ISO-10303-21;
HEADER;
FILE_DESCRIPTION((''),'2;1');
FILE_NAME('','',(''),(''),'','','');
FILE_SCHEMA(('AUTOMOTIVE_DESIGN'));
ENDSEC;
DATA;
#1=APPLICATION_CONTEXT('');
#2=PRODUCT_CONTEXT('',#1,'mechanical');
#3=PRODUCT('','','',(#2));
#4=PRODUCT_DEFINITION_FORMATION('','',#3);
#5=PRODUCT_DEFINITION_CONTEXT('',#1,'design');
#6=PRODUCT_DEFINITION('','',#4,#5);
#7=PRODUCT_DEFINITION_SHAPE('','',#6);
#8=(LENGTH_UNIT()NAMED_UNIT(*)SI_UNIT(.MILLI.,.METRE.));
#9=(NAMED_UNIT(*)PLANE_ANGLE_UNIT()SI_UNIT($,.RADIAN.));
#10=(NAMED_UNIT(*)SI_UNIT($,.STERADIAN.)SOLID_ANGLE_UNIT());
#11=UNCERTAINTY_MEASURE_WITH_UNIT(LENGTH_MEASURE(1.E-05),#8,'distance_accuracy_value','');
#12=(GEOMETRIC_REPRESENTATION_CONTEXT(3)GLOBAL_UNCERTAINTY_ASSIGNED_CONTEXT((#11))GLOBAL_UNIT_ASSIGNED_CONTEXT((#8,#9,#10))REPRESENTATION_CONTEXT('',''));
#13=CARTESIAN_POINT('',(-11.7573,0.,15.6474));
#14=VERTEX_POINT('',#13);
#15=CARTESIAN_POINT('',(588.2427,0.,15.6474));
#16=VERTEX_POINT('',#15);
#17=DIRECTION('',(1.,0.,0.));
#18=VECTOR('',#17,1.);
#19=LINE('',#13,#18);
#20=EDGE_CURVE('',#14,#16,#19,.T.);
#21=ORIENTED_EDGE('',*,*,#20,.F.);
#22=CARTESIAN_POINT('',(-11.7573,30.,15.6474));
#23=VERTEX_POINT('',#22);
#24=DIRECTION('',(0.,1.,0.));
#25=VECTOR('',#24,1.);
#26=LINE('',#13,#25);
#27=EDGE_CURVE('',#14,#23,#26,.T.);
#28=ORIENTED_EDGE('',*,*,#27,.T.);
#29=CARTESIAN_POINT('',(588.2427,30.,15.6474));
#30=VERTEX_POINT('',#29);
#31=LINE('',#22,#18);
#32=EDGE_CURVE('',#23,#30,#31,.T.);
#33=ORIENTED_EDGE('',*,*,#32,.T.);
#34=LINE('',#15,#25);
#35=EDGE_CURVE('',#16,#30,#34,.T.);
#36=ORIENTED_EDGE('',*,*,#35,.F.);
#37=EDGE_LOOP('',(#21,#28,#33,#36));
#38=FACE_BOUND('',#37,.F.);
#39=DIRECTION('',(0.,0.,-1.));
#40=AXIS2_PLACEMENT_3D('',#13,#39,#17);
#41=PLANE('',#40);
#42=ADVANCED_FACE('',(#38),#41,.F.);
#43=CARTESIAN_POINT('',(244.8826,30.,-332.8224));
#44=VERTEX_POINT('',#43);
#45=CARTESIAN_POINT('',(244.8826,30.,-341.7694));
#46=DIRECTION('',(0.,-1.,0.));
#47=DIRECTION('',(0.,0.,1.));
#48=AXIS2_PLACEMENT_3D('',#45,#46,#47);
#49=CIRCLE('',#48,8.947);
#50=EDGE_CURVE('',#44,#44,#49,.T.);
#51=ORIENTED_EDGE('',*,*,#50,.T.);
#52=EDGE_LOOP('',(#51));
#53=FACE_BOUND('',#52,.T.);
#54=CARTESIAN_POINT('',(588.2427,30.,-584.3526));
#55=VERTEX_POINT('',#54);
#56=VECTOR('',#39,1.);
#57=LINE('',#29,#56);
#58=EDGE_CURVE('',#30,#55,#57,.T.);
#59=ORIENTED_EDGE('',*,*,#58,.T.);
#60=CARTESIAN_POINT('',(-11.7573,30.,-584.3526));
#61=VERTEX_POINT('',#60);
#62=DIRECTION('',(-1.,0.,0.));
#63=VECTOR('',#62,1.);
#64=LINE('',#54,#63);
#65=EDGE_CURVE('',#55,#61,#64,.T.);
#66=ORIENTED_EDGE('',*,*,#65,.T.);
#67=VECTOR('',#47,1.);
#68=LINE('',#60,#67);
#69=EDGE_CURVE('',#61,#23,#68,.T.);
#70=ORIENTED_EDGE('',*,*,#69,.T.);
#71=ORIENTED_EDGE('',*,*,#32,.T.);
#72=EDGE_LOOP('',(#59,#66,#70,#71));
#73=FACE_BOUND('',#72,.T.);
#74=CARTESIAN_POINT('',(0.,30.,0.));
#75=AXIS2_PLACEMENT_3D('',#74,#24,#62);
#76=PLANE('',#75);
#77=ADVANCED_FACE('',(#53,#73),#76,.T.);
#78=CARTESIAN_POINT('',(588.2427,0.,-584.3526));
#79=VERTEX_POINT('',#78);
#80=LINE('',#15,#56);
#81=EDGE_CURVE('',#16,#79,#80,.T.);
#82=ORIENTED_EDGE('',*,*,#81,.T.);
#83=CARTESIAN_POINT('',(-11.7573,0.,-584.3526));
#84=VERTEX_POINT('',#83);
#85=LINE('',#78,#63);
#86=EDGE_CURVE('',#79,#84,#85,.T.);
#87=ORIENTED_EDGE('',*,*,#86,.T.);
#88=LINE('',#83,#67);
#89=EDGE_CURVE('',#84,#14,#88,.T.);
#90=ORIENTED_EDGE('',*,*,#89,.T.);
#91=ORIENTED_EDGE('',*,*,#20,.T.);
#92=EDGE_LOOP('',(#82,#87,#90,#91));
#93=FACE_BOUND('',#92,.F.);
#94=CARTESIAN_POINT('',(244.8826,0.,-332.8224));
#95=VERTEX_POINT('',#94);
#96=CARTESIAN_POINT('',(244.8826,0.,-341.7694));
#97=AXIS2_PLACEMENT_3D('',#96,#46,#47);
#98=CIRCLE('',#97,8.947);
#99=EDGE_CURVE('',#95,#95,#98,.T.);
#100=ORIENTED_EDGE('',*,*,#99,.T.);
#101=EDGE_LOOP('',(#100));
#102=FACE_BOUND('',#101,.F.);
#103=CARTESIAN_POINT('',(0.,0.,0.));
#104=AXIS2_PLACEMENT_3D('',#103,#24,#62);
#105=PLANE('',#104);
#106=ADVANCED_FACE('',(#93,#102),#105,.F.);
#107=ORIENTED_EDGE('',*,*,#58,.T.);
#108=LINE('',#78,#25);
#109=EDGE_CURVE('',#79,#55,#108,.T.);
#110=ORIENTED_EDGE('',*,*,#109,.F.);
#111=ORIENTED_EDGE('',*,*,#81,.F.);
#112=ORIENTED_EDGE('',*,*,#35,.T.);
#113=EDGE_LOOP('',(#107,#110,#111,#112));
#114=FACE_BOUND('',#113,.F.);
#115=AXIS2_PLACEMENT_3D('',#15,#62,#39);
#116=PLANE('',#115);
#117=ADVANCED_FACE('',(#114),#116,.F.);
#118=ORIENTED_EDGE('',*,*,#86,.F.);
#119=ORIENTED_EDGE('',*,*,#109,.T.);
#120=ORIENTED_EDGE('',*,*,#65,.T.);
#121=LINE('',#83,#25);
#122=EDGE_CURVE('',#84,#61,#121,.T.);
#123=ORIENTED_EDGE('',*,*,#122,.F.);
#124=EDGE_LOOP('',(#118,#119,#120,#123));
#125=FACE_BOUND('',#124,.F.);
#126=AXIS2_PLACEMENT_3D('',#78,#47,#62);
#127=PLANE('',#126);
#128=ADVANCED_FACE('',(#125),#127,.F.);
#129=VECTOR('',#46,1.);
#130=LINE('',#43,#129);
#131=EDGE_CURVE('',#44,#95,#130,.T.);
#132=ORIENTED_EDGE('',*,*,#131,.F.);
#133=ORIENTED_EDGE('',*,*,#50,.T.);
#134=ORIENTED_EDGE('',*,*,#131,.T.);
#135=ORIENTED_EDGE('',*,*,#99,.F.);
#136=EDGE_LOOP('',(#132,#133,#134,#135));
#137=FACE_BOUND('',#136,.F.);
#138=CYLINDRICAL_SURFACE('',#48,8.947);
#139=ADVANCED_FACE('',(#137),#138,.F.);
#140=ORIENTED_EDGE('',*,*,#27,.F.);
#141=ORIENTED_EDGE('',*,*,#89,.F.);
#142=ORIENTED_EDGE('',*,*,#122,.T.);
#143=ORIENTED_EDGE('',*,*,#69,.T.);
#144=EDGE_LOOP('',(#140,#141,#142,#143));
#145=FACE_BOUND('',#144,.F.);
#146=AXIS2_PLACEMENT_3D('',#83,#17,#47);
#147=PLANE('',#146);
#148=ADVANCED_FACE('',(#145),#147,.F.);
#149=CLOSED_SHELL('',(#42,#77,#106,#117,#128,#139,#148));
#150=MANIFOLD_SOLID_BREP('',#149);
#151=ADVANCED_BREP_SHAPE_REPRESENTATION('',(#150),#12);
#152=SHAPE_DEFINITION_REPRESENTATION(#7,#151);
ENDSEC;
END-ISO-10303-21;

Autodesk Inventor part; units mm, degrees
ref_plane "YZ Plane" through (0, 0, 0) normal (1, 0, 0) x (0, 1, 0)
ref_plane "XZ Plane" through (0, 0, 0) normal (0, 1, 0) x (-1, 0, 0)
ref_plane "XY Plane" through (0, 0, 0) normal (0, 0, 1) x (1, 0, 0)
sketch "Sketch1" plane through (0, 0, 0) normal (0, 1, 0) x (-1, 0, 0)
  line L0 (11.7573, 15.6474) -> (-588.2427, 15.6474)
  line L1 (-588.2427, 15.6474) -> (-588.2427, -584.3526)
  line L2 (-588.2427, -584.3526) -> (11.7573, -584.3526)
  line L3 (11.7573, -584.3526) -> (11.7573, 15.6474)
  point P0 (0, 0)
  dimension "d0" = 600
  dimension "d1" = 600
  dimension "d2" = 600
  dimension "d3" = 600
extrude "Extrusion1" add sketch "Sketch1" along normal blind 30
sketch "Sketch2" plane through (0, 30, 0) normal (0, 1, 0) x (1, 0, 0)
  point P0 (0, 0)
sketch "Sketch3" plane through (0, 30, 0) normal (0, 1, 0) x (1, 0, 0)
  point P0 (0, 0)
  point P1 (244.8826, 341.7694)
hole "Hole1" at (244.8826, 30, -341.7694) direction (0, -1, 0) diameter 17.894 depth 53.975 tip angle 118 thread size "13/16-10 UNC" class "2B" standard "ANSI Unified Screw Threads"
properties part number "base"
